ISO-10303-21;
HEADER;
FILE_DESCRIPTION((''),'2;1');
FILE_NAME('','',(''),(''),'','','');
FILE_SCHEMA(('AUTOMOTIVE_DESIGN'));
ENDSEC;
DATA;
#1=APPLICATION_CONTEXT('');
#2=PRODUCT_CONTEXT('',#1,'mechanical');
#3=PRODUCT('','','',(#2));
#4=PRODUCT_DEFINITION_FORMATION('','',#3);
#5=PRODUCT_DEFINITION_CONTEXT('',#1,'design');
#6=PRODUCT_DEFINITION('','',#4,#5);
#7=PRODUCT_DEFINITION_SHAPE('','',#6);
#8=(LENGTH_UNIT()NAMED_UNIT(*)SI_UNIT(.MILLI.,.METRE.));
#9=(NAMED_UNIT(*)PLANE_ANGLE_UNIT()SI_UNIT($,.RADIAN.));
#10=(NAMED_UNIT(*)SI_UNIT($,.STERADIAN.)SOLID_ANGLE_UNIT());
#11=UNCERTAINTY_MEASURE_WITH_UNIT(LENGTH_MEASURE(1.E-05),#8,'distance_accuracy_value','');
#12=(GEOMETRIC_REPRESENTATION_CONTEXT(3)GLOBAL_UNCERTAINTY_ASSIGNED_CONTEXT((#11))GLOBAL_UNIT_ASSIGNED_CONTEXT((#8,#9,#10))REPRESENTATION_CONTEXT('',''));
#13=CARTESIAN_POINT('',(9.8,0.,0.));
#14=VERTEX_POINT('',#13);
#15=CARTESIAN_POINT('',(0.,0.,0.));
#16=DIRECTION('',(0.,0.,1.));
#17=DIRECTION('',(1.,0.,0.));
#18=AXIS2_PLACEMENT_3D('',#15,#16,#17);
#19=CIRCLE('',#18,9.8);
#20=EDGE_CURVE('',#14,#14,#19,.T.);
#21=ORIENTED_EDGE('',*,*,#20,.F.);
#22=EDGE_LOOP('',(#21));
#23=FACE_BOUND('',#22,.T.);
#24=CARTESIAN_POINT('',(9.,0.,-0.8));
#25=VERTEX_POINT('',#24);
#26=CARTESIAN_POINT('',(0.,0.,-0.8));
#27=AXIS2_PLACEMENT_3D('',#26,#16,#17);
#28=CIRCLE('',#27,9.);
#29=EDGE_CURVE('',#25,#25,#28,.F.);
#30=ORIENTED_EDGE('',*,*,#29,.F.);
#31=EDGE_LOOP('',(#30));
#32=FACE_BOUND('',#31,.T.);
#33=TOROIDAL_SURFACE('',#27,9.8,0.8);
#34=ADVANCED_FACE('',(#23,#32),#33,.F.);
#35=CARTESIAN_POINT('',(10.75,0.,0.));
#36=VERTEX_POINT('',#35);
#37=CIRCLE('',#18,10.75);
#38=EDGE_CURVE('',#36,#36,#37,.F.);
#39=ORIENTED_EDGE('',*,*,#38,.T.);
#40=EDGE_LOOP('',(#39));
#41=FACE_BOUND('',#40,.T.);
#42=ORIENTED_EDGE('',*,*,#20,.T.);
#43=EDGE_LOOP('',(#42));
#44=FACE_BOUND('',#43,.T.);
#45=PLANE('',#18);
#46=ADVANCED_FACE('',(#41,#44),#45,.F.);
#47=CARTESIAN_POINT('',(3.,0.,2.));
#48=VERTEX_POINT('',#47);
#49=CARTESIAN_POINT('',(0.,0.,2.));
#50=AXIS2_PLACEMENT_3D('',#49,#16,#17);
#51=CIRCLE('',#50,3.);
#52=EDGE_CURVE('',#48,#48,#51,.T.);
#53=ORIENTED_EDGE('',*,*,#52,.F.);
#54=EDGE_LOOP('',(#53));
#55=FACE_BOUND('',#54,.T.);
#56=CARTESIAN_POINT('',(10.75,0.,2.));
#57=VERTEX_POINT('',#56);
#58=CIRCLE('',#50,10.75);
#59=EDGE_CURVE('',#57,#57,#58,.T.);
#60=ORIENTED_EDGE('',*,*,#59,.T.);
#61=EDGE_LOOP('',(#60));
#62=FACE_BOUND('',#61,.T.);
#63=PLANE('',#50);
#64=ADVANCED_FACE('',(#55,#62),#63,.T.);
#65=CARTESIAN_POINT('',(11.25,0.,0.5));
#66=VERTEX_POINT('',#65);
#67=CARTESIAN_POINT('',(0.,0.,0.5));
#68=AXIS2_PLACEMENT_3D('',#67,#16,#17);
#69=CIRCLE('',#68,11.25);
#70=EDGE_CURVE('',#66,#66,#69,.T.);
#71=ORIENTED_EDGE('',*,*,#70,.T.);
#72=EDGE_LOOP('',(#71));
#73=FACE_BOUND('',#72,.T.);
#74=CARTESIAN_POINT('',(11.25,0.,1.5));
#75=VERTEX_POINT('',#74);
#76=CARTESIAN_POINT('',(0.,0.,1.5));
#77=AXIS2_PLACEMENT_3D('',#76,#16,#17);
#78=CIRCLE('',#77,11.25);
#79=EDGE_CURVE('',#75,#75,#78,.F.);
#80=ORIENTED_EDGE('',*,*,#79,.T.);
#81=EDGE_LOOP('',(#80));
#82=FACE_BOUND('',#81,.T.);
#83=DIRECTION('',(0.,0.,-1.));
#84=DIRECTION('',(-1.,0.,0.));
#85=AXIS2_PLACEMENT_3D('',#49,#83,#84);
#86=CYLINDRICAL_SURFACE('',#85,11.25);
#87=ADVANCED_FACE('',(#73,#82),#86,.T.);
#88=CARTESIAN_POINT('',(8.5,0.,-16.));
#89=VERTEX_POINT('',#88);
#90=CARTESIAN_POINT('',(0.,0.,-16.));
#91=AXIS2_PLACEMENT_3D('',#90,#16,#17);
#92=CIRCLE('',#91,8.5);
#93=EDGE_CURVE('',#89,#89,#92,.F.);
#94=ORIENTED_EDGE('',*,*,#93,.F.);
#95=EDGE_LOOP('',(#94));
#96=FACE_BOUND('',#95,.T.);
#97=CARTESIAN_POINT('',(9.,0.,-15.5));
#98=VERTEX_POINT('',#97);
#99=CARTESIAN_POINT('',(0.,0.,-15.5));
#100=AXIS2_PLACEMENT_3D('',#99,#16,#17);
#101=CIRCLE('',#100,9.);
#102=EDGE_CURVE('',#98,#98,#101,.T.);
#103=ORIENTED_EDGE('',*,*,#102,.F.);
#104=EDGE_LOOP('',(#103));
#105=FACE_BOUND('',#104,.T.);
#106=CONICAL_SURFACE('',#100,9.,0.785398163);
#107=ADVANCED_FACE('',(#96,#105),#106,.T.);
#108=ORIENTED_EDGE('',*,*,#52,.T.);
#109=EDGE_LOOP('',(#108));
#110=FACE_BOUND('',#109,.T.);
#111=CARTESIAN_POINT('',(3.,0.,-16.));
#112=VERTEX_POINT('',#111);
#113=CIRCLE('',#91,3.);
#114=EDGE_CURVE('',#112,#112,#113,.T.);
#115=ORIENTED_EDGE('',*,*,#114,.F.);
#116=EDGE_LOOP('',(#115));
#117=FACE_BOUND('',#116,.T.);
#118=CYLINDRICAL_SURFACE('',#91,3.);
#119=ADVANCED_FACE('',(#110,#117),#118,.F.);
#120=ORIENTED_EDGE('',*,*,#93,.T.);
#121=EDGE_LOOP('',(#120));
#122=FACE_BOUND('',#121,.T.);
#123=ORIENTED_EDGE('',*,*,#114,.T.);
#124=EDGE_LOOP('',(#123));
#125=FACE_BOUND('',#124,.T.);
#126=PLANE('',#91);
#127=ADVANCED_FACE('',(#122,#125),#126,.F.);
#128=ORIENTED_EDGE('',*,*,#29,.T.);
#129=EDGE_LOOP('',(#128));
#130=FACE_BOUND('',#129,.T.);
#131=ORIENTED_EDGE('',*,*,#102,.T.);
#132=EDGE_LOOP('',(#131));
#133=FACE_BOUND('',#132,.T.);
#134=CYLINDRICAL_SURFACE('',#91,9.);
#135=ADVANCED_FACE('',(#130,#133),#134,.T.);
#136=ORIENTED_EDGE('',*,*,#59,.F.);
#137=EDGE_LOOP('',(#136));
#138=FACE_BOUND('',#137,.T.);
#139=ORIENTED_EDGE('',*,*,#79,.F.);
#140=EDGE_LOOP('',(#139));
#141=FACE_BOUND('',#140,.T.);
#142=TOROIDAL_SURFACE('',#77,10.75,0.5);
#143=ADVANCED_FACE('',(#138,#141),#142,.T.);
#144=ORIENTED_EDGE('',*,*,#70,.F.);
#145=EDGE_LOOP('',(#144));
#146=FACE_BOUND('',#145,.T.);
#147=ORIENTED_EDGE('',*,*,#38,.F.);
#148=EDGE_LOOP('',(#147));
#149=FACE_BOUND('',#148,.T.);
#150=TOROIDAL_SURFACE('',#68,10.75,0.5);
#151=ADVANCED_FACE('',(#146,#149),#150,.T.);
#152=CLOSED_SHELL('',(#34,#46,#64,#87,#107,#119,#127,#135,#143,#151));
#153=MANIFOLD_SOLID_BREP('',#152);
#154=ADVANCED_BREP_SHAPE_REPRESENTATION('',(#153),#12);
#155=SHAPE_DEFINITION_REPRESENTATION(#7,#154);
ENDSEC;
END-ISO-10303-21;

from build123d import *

# Parameters (mm, degrees)
SKETCH1_R           = 9
SKETCH1_R_2         = 3
BOSS_EXTRUDE1_DEPTH = 16
BOSS_EXTRUDE2_START = 2
SKETCH2_R           = 11.25
SKETCH2_R_2         = 3
BOSS_EXTRUDE2_DEPTH = 2
FILLET1_R           = 0.5
FILLET2_R           = 0.5
FILLET3_R           = 0.8
CHAMFER1_SIZE       = 0.5


with BuildPart() as part:
    # Sketch1 → Boss-Extrude1 (new body)
    with BuildSketch(Plane.XY):
        Circle(SKETCH1_R)
        Circle(SKETCH1_R_2, mode=Mode.SUBTRACT)
    extrude(amount=-BOSS_EXTRUDE1_DEPTH)

    # Sketch2 → Boss-Extrude2 (add)
    with BuildSketch(Plane.XY.offset(BOSS_EXTRUDE2_START)):
        Circle(SKETCH2_R)
        Circle(SKETCH2_R_2, mode=Mode.SUBTRACT)
    extrude(amount=-BOSS_EXTRUDE2_DEPTH)

    # Fillet1
    fillet1_edges = [part.edges().sort_by_distance(p)[0] for p in [
        (-11.25, 0, 2),
    ]]
    fillet(fillet1_edges, radius=FILLET1_R)

    # Fillet2
    fillet2_edges = [part.edges().sort_by_distance(p)[0] for p in [
        (-11.25, 0, 0),
    ]]
    fillet(fillet2_edges, radius=FILLET2_R)

    # Fillet3
    fillet3_edges = [part.edges().sort_by_distance(p)[0] for p in [
        (-9, 0, 0),
    ]]
    fillet(fillet3_edges, radius=FILLET3_R)

    # Chamfer1
    chamfer1_edges = [part.edges().sort_by_distance(p)[0] for p in [
        (-9, 0, -16),
    ]]
    chamfer(chamfer1_edges, length=CHAMFER1_SIZE)


solid = part.part
